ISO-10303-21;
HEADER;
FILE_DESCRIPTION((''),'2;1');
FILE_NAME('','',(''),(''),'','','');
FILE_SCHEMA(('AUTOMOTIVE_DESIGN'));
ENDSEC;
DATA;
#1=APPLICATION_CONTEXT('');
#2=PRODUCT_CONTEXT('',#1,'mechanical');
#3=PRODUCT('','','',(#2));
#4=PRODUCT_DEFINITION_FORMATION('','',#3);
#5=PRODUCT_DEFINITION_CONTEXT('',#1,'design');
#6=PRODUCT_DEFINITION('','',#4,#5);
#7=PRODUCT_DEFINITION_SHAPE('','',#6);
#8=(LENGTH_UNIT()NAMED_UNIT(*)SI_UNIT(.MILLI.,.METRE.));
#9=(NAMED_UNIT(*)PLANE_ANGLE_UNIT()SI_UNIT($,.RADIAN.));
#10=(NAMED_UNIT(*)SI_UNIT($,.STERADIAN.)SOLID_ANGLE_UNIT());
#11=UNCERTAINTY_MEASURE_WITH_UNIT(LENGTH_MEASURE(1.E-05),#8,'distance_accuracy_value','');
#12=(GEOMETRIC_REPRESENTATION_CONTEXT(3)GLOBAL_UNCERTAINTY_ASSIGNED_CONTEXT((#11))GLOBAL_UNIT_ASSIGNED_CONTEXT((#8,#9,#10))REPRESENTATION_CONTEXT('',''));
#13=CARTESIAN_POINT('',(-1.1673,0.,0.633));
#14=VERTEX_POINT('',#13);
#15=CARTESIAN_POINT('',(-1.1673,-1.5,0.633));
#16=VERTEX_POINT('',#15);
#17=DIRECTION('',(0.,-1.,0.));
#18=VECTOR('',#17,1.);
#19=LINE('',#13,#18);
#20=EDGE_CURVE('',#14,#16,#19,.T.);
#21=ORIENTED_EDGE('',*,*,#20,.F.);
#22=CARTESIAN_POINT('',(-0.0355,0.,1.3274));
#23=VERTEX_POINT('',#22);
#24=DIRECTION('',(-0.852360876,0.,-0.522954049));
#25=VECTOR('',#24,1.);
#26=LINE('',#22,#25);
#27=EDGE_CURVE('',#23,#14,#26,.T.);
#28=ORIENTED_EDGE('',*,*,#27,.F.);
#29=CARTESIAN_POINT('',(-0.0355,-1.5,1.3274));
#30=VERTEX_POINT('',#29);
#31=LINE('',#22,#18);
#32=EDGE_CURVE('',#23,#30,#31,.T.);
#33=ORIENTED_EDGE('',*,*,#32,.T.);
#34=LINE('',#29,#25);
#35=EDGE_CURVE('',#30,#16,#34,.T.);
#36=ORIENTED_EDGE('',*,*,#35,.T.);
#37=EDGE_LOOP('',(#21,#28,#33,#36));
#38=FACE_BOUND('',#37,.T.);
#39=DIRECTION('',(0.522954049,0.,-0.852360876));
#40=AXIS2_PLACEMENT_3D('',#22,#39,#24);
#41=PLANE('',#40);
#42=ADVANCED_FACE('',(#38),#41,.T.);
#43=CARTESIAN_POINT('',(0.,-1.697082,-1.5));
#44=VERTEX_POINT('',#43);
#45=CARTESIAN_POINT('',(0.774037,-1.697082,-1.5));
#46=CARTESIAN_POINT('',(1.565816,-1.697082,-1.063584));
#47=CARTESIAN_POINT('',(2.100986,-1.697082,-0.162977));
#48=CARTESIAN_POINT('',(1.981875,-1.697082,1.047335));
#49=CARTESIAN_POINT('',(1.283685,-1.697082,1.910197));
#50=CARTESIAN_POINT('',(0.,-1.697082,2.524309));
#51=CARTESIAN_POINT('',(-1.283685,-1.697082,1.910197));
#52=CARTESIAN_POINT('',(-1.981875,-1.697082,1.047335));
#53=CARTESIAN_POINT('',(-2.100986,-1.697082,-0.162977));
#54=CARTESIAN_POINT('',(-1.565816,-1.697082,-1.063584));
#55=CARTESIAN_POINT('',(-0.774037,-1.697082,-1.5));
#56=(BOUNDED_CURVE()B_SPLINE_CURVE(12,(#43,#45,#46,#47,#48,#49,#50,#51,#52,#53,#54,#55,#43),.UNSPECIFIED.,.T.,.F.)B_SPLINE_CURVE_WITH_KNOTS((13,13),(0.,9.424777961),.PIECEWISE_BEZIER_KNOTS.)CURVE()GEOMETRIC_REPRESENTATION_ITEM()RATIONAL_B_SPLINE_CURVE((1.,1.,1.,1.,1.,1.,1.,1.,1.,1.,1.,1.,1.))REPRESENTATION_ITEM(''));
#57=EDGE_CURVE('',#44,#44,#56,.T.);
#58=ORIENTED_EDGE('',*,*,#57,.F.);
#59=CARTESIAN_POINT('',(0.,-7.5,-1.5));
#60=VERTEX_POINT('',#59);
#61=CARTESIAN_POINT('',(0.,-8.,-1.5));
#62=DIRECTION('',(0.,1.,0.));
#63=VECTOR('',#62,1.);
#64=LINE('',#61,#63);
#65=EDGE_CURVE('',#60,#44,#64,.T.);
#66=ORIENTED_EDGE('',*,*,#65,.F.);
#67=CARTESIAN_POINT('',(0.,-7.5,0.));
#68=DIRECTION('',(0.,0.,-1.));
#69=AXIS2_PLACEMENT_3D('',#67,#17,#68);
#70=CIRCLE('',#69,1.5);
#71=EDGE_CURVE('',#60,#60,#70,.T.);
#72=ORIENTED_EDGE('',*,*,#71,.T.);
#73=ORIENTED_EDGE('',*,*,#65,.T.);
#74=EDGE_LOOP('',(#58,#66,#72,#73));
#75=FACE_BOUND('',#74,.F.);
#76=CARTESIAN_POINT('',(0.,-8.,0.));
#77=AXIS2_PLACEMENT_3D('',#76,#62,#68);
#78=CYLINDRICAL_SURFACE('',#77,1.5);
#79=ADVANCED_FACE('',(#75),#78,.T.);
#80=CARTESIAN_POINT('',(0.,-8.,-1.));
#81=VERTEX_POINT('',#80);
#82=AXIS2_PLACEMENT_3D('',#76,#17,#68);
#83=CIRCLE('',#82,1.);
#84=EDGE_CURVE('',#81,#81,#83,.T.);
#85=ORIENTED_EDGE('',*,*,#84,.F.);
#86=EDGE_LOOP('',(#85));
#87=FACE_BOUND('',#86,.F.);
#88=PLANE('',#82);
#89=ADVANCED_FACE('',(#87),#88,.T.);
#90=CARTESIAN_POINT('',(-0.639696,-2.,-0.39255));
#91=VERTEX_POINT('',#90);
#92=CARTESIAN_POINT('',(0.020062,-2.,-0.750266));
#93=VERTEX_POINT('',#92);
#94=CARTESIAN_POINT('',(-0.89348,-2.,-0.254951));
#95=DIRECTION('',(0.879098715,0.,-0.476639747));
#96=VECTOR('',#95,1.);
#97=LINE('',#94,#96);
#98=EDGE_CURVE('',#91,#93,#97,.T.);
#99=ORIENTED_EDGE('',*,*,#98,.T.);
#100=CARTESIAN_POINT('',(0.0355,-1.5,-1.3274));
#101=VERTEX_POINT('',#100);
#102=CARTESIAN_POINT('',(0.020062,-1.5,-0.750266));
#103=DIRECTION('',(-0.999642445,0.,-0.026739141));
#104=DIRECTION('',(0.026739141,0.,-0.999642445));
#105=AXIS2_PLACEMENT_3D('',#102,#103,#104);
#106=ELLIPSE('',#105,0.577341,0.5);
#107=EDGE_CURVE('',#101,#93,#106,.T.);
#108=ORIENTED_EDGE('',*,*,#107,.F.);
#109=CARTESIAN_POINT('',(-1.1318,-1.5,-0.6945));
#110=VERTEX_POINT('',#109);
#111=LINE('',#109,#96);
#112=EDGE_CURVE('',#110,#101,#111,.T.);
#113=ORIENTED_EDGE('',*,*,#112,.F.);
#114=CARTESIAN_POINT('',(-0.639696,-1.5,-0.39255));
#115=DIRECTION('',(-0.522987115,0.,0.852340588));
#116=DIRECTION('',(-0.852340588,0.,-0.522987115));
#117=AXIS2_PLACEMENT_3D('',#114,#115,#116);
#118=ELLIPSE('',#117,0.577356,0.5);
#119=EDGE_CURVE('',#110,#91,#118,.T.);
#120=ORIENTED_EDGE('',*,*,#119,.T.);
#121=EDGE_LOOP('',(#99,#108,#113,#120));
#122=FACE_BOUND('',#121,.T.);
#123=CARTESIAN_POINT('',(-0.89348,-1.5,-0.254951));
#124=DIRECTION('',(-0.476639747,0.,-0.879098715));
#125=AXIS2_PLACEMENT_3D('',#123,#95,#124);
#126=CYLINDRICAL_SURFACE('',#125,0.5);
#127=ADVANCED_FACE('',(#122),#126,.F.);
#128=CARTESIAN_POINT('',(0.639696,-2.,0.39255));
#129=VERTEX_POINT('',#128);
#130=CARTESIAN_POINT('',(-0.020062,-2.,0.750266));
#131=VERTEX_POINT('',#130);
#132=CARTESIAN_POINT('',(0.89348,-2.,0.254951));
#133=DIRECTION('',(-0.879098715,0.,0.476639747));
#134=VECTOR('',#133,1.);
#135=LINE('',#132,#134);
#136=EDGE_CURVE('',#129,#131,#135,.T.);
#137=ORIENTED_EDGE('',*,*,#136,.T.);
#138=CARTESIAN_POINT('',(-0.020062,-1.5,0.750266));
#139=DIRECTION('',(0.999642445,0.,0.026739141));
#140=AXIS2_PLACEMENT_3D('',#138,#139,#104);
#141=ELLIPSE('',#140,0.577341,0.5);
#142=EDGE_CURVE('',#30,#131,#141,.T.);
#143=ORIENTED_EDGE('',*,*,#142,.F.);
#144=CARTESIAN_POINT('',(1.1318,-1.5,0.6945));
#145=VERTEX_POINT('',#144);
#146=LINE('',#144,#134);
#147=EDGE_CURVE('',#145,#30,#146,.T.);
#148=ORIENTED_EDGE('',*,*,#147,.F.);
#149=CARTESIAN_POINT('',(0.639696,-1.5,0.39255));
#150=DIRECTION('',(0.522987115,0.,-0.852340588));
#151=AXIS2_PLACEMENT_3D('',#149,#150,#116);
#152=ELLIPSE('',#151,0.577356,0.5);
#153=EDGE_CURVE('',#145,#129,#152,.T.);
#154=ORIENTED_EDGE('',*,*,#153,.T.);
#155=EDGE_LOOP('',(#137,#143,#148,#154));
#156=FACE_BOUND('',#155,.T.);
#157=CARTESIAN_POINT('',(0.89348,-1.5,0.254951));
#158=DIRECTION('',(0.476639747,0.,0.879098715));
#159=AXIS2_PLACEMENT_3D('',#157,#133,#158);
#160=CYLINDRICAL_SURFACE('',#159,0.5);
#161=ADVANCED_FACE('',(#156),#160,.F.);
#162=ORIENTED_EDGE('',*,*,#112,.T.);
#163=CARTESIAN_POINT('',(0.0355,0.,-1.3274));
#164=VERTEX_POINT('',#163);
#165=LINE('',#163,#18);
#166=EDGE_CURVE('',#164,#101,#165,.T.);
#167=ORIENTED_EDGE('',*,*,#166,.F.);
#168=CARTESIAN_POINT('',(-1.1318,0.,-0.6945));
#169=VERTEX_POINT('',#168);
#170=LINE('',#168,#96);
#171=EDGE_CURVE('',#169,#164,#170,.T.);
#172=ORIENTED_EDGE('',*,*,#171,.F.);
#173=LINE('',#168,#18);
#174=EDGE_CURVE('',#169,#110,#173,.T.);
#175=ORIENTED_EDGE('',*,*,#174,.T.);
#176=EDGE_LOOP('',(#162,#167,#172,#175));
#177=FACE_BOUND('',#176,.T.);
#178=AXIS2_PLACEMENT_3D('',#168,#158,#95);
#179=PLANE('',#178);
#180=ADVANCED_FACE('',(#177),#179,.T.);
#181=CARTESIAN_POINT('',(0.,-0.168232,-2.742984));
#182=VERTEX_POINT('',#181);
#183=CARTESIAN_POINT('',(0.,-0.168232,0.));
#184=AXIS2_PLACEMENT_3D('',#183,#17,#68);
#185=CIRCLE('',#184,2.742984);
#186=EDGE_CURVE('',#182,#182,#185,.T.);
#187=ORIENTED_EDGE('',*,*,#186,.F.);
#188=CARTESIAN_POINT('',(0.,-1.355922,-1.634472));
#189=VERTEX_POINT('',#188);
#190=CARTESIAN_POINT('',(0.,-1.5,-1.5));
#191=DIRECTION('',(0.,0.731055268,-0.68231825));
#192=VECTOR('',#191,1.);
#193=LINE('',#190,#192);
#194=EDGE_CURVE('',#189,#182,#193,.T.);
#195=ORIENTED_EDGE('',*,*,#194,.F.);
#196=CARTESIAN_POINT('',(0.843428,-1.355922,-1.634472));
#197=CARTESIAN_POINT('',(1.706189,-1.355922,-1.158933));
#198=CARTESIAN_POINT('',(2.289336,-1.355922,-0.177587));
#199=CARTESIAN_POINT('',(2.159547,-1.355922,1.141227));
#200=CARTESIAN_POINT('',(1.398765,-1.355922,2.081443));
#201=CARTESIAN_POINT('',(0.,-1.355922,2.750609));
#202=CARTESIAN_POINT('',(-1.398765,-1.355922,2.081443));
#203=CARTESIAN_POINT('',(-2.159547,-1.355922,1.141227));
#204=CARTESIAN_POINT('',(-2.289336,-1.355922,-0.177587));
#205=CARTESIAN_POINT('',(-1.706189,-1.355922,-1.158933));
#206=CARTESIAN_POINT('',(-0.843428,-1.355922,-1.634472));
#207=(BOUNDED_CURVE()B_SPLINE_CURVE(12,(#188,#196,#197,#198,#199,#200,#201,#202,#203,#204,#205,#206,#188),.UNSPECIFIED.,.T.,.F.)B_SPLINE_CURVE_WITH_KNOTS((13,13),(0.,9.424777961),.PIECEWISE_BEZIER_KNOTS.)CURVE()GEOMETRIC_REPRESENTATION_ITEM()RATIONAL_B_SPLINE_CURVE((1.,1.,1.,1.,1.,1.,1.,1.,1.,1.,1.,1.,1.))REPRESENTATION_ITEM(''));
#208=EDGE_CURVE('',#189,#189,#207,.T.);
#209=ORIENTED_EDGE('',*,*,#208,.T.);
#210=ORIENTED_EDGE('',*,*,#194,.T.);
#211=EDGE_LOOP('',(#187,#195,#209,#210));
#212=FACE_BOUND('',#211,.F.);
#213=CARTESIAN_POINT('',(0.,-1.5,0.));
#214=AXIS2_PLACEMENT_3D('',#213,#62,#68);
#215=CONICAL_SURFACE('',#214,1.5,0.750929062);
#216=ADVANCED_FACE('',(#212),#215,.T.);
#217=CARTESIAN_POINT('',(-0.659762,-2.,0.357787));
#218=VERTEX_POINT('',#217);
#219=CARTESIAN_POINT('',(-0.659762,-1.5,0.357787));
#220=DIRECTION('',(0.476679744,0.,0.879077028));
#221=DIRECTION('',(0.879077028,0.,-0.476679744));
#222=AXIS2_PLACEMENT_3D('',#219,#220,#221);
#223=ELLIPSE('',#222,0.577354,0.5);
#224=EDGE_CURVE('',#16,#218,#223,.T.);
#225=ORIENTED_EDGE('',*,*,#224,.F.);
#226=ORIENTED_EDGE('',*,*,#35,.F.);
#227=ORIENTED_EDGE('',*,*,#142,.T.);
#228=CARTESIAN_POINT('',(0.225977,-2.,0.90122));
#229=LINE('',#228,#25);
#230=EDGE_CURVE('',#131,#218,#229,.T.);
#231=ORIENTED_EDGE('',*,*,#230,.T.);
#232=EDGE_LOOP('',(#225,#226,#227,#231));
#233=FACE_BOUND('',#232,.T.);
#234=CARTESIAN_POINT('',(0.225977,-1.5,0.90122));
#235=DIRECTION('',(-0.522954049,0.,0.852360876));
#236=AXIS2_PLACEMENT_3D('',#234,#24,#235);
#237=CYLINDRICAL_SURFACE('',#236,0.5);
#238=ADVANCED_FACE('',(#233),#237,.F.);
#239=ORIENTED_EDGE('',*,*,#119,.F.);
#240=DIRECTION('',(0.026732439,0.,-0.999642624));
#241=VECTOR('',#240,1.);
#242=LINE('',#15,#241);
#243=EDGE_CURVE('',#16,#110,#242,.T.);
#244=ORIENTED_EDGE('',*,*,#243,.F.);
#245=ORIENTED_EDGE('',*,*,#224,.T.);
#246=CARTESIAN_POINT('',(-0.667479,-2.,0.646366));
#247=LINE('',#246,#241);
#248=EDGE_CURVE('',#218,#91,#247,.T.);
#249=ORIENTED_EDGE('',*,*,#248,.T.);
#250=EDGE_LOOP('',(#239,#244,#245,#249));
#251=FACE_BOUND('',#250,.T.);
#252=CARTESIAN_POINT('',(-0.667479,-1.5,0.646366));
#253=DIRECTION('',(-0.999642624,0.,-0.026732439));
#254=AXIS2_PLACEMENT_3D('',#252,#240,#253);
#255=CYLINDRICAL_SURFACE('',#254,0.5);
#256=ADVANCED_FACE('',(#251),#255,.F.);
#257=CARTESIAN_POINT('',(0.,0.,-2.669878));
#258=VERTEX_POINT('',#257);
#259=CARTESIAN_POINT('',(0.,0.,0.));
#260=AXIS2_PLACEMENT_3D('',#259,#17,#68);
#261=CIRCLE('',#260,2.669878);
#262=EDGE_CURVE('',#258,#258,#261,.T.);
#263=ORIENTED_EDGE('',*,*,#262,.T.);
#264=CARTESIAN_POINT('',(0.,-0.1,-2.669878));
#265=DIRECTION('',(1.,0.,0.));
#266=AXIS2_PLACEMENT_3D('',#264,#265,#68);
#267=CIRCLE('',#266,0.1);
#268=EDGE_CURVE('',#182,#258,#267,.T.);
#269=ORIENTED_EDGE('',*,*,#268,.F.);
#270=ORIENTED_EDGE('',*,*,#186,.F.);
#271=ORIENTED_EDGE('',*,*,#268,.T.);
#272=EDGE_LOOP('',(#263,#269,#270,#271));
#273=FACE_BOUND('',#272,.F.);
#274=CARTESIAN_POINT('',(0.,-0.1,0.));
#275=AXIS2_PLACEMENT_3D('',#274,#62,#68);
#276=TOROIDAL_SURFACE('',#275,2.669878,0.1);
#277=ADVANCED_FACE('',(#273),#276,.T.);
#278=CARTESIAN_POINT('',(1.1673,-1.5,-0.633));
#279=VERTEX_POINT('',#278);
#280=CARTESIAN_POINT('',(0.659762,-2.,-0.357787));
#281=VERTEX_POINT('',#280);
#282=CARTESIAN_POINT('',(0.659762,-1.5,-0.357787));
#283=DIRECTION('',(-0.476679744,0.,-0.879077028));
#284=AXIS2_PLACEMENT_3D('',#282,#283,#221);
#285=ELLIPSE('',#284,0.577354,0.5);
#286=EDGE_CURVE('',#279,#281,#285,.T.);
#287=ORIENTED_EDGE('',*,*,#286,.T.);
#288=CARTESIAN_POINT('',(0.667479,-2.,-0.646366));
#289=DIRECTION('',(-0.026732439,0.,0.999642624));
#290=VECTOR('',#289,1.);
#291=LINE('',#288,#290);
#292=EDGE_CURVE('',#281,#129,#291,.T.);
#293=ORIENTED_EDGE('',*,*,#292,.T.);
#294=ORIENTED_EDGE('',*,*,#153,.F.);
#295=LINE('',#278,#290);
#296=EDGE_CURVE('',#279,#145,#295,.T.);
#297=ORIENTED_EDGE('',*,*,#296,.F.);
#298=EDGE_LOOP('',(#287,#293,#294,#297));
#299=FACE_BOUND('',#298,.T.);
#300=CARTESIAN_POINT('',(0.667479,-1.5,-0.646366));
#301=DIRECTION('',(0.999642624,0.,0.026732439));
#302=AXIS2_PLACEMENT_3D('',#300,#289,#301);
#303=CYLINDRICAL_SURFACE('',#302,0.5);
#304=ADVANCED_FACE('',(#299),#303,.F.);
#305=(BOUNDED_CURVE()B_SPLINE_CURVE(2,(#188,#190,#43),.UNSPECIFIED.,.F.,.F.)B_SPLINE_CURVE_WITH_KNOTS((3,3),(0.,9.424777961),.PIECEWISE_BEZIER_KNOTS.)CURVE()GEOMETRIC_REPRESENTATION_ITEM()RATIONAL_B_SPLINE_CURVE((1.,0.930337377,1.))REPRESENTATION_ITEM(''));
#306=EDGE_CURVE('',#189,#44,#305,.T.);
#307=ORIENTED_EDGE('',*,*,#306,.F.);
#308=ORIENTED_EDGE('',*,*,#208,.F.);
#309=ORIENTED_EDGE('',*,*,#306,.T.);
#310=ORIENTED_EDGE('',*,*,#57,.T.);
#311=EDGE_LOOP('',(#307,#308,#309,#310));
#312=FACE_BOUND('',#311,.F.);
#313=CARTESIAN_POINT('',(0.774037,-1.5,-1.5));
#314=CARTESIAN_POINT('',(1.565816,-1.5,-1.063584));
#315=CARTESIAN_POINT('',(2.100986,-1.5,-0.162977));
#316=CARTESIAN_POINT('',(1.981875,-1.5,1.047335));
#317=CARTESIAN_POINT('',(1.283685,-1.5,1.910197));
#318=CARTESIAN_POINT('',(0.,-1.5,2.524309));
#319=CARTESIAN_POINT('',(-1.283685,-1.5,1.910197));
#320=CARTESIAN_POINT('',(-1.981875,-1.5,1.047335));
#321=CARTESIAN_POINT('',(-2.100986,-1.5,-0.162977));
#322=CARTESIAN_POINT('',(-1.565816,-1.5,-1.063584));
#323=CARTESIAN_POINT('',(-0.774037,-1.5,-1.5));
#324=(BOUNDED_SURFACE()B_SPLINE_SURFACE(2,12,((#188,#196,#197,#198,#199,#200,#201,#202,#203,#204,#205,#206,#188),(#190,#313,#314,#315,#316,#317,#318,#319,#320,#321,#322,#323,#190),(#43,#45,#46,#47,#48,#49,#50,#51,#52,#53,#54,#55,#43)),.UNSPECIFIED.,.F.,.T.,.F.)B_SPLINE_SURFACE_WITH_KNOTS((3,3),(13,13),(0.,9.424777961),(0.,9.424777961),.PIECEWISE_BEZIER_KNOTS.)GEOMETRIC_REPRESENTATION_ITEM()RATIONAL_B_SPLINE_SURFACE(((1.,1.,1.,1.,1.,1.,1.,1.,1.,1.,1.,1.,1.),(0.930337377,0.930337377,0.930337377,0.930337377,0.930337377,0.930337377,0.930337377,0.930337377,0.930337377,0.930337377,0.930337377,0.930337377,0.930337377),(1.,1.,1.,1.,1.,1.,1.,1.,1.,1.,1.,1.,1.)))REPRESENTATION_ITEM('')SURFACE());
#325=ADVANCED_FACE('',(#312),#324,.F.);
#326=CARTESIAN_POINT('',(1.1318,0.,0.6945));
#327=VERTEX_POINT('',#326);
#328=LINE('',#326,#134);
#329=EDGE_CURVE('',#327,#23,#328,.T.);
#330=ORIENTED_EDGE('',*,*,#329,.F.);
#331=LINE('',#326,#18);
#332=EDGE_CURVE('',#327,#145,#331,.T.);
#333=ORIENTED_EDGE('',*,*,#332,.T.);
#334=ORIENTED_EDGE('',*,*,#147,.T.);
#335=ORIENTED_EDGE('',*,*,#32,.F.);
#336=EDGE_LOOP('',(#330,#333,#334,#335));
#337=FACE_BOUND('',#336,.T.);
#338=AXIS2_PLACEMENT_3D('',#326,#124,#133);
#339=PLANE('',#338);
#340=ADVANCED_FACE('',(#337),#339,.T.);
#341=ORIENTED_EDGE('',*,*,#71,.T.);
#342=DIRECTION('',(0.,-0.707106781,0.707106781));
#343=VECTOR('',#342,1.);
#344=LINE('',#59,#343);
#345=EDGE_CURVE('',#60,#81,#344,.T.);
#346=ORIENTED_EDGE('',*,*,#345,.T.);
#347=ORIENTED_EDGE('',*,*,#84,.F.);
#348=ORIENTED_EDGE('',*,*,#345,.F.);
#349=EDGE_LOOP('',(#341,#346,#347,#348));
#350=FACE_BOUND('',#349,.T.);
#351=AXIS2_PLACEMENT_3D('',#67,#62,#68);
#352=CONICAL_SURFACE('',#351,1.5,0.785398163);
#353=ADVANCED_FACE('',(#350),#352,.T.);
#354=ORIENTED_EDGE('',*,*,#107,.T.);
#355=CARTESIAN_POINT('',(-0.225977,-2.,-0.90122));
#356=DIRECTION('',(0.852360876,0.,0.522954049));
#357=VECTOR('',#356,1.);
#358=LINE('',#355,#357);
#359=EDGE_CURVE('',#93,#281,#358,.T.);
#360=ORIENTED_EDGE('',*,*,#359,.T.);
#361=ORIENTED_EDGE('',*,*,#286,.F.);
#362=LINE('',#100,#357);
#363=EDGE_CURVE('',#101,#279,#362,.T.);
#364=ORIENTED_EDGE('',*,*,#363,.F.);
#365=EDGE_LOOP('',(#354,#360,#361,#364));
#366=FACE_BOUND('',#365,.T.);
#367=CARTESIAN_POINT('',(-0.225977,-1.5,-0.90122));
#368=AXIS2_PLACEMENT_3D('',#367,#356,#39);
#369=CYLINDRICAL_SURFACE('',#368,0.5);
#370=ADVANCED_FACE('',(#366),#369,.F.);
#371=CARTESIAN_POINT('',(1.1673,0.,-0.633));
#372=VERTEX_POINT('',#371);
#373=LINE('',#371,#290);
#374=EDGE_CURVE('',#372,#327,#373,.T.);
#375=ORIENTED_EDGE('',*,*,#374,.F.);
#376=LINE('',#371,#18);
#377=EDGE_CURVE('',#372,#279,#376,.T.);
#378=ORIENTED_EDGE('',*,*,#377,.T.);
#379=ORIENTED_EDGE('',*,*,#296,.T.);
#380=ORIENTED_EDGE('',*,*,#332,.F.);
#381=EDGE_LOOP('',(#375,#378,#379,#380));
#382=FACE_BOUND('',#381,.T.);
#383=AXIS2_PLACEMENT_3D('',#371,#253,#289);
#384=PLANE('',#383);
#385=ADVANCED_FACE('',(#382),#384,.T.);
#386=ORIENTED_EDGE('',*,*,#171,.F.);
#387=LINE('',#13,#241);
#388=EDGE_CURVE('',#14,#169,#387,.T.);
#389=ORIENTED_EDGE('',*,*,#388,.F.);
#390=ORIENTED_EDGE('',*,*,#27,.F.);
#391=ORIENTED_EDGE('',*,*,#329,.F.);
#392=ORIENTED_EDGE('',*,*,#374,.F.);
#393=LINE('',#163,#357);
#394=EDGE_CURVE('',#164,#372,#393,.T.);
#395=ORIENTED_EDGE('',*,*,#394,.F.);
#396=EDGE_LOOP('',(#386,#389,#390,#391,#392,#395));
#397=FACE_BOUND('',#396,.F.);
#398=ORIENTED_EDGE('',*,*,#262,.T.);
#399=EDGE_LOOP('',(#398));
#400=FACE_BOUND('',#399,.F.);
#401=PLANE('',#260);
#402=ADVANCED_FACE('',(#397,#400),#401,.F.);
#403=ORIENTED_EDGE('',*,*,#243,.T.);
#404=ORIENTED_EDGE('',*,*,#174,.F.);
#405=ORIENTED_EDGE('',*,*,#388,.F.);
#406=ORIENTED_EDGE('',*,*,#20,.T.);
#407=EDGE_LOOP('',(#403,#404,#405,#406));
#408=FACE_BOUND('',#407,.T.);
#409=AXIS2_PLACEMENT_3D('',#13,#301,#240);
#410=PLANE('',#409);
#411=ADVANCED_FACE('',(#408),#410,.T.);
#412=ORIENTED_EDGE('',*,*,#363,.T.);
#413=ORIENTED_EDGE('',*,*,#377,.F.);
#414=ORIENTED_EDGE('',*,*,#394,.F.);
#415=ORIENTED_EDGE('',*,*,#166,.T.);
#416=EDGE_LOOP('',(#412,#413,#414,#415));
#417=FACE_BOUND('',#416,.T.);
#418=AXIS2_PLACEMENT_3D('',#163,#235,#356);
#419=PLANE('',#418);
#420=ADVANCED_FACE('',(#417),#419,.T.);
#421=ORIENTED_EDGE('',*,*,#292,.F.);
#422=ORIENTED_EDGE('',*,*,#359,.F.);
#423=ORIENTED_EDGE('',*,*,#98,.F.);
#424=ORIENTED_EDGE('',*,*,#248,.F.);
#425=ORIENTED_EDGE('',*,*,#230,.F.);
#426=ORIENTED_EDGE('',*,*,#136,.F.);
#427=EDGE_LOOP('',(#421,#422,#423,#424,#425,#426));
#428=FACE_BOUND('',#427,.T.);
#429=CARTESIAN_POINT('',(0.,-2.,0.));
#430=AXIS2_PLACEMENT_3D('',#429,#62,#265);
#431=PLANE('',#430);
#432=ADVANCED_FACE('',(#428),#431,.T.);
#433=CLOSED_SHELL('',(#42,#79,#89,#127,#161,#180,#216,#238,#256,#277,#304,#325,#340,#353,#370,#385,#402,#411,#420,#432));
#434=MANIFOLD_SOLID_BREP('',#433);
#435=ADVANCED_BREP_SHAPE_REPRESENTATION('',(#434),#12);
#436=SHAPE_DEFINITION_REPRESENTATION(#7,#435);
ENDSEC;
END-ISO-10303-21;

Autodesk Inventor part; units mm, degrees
ref_plane "YZ Plane" through (0, 0, 0) normal (1, 0, 0) x (0, 1, 0)
ref_plane "XZ Plane" through (0, 0, 0) normal (0, 1, 0) x (-1, 0, 0)
ref_plane "XY Plane" through (0, 0, 0) normal (0, 0, 1) x (1, 0, 0)
sketch "Szkic2" plane through (0, 0, 0) normal (1, 0, 0) x (0, 1, 0)
  line L0 (0, -2.9) -> (0, 2.9)
  line L1 (-1.5, -1.5) -> (-1.5, 1.5)
  line L2 (-1.5, -1.5) -> (0, -2.9)
  line L3 (-1.5, 1.5) -> (0, 2.9)
  line L4 (0, 0) -> (-8, 0)
  line L5 (-8, 0) -> (-8, -1.5)
  line L6 (-8, -1.5) -> (-1.5, -1.5)
  dimension "d0" = 5.8
  dimension "d2" = 3
  dimension "d3" = 1.5
  dimension "d4" = 8
  dimension "d5" = 1.5
revolve "Obrót1" add sketch "Szkic2" angle 360 about axis through (0, 0, 0) along (0, -1, 0) contours L2 L1 L4 L0 | L6 L5 L4 L1
sketch "Szkic3" plane through (0, 0, 0) normal (0, 1, 0) x (1, 0, 0)
  line L0 (-1.1673, -0.633) -> (-1.1318, 0.6945)
  line L1 (-1.1318, 0.6945) -> (0.0355, 1.3274)
  line L2 (0.0355, 1.3274) -> (1.1673, 0.633)
  line L3 (1.1673, 0.633) -> (1.1318, -0.6945)
  line L4 (1.1318, -0.6945) -> (-0.0355, -1.3274)
  line L5 (-0.0355, -1.3274) -> (-1.1673, -0.633)
  point P0 (0, 0)
  point P1 (0, 0)
  dimension "d7" = 2.3
extrude "Wyciągnięcie proste1" cut sketch "Szkic3" against normal blind 2
fillet "Zaokrąglenie1" radius 0.5 6 edges at (-1.1496, -2, -0.0308) (-0.6014, -2, 0.9802) (-0.5482, -2, -1.011) (0.6014, -2, -0.9802) (0.5482, -2, 1.011) (1.1496, -2, 0.0308)
fillet "Zaokrąglenie2" radius 0.5 1 edges at (0, -1.5, 1.5)
fillet "Zaokrąglenie3" radius 0.1 1 edges at (0, 0, 2.9)
thread "Gwint1" size "M3x0.5" class "6g" standard "ANSI Metric M Profile" full length
chamfer "Faza1" distance 0.5 angle 45 1 edges at (0, -8, 1.5)
properties part number "Screw M3 8mm flat head"
